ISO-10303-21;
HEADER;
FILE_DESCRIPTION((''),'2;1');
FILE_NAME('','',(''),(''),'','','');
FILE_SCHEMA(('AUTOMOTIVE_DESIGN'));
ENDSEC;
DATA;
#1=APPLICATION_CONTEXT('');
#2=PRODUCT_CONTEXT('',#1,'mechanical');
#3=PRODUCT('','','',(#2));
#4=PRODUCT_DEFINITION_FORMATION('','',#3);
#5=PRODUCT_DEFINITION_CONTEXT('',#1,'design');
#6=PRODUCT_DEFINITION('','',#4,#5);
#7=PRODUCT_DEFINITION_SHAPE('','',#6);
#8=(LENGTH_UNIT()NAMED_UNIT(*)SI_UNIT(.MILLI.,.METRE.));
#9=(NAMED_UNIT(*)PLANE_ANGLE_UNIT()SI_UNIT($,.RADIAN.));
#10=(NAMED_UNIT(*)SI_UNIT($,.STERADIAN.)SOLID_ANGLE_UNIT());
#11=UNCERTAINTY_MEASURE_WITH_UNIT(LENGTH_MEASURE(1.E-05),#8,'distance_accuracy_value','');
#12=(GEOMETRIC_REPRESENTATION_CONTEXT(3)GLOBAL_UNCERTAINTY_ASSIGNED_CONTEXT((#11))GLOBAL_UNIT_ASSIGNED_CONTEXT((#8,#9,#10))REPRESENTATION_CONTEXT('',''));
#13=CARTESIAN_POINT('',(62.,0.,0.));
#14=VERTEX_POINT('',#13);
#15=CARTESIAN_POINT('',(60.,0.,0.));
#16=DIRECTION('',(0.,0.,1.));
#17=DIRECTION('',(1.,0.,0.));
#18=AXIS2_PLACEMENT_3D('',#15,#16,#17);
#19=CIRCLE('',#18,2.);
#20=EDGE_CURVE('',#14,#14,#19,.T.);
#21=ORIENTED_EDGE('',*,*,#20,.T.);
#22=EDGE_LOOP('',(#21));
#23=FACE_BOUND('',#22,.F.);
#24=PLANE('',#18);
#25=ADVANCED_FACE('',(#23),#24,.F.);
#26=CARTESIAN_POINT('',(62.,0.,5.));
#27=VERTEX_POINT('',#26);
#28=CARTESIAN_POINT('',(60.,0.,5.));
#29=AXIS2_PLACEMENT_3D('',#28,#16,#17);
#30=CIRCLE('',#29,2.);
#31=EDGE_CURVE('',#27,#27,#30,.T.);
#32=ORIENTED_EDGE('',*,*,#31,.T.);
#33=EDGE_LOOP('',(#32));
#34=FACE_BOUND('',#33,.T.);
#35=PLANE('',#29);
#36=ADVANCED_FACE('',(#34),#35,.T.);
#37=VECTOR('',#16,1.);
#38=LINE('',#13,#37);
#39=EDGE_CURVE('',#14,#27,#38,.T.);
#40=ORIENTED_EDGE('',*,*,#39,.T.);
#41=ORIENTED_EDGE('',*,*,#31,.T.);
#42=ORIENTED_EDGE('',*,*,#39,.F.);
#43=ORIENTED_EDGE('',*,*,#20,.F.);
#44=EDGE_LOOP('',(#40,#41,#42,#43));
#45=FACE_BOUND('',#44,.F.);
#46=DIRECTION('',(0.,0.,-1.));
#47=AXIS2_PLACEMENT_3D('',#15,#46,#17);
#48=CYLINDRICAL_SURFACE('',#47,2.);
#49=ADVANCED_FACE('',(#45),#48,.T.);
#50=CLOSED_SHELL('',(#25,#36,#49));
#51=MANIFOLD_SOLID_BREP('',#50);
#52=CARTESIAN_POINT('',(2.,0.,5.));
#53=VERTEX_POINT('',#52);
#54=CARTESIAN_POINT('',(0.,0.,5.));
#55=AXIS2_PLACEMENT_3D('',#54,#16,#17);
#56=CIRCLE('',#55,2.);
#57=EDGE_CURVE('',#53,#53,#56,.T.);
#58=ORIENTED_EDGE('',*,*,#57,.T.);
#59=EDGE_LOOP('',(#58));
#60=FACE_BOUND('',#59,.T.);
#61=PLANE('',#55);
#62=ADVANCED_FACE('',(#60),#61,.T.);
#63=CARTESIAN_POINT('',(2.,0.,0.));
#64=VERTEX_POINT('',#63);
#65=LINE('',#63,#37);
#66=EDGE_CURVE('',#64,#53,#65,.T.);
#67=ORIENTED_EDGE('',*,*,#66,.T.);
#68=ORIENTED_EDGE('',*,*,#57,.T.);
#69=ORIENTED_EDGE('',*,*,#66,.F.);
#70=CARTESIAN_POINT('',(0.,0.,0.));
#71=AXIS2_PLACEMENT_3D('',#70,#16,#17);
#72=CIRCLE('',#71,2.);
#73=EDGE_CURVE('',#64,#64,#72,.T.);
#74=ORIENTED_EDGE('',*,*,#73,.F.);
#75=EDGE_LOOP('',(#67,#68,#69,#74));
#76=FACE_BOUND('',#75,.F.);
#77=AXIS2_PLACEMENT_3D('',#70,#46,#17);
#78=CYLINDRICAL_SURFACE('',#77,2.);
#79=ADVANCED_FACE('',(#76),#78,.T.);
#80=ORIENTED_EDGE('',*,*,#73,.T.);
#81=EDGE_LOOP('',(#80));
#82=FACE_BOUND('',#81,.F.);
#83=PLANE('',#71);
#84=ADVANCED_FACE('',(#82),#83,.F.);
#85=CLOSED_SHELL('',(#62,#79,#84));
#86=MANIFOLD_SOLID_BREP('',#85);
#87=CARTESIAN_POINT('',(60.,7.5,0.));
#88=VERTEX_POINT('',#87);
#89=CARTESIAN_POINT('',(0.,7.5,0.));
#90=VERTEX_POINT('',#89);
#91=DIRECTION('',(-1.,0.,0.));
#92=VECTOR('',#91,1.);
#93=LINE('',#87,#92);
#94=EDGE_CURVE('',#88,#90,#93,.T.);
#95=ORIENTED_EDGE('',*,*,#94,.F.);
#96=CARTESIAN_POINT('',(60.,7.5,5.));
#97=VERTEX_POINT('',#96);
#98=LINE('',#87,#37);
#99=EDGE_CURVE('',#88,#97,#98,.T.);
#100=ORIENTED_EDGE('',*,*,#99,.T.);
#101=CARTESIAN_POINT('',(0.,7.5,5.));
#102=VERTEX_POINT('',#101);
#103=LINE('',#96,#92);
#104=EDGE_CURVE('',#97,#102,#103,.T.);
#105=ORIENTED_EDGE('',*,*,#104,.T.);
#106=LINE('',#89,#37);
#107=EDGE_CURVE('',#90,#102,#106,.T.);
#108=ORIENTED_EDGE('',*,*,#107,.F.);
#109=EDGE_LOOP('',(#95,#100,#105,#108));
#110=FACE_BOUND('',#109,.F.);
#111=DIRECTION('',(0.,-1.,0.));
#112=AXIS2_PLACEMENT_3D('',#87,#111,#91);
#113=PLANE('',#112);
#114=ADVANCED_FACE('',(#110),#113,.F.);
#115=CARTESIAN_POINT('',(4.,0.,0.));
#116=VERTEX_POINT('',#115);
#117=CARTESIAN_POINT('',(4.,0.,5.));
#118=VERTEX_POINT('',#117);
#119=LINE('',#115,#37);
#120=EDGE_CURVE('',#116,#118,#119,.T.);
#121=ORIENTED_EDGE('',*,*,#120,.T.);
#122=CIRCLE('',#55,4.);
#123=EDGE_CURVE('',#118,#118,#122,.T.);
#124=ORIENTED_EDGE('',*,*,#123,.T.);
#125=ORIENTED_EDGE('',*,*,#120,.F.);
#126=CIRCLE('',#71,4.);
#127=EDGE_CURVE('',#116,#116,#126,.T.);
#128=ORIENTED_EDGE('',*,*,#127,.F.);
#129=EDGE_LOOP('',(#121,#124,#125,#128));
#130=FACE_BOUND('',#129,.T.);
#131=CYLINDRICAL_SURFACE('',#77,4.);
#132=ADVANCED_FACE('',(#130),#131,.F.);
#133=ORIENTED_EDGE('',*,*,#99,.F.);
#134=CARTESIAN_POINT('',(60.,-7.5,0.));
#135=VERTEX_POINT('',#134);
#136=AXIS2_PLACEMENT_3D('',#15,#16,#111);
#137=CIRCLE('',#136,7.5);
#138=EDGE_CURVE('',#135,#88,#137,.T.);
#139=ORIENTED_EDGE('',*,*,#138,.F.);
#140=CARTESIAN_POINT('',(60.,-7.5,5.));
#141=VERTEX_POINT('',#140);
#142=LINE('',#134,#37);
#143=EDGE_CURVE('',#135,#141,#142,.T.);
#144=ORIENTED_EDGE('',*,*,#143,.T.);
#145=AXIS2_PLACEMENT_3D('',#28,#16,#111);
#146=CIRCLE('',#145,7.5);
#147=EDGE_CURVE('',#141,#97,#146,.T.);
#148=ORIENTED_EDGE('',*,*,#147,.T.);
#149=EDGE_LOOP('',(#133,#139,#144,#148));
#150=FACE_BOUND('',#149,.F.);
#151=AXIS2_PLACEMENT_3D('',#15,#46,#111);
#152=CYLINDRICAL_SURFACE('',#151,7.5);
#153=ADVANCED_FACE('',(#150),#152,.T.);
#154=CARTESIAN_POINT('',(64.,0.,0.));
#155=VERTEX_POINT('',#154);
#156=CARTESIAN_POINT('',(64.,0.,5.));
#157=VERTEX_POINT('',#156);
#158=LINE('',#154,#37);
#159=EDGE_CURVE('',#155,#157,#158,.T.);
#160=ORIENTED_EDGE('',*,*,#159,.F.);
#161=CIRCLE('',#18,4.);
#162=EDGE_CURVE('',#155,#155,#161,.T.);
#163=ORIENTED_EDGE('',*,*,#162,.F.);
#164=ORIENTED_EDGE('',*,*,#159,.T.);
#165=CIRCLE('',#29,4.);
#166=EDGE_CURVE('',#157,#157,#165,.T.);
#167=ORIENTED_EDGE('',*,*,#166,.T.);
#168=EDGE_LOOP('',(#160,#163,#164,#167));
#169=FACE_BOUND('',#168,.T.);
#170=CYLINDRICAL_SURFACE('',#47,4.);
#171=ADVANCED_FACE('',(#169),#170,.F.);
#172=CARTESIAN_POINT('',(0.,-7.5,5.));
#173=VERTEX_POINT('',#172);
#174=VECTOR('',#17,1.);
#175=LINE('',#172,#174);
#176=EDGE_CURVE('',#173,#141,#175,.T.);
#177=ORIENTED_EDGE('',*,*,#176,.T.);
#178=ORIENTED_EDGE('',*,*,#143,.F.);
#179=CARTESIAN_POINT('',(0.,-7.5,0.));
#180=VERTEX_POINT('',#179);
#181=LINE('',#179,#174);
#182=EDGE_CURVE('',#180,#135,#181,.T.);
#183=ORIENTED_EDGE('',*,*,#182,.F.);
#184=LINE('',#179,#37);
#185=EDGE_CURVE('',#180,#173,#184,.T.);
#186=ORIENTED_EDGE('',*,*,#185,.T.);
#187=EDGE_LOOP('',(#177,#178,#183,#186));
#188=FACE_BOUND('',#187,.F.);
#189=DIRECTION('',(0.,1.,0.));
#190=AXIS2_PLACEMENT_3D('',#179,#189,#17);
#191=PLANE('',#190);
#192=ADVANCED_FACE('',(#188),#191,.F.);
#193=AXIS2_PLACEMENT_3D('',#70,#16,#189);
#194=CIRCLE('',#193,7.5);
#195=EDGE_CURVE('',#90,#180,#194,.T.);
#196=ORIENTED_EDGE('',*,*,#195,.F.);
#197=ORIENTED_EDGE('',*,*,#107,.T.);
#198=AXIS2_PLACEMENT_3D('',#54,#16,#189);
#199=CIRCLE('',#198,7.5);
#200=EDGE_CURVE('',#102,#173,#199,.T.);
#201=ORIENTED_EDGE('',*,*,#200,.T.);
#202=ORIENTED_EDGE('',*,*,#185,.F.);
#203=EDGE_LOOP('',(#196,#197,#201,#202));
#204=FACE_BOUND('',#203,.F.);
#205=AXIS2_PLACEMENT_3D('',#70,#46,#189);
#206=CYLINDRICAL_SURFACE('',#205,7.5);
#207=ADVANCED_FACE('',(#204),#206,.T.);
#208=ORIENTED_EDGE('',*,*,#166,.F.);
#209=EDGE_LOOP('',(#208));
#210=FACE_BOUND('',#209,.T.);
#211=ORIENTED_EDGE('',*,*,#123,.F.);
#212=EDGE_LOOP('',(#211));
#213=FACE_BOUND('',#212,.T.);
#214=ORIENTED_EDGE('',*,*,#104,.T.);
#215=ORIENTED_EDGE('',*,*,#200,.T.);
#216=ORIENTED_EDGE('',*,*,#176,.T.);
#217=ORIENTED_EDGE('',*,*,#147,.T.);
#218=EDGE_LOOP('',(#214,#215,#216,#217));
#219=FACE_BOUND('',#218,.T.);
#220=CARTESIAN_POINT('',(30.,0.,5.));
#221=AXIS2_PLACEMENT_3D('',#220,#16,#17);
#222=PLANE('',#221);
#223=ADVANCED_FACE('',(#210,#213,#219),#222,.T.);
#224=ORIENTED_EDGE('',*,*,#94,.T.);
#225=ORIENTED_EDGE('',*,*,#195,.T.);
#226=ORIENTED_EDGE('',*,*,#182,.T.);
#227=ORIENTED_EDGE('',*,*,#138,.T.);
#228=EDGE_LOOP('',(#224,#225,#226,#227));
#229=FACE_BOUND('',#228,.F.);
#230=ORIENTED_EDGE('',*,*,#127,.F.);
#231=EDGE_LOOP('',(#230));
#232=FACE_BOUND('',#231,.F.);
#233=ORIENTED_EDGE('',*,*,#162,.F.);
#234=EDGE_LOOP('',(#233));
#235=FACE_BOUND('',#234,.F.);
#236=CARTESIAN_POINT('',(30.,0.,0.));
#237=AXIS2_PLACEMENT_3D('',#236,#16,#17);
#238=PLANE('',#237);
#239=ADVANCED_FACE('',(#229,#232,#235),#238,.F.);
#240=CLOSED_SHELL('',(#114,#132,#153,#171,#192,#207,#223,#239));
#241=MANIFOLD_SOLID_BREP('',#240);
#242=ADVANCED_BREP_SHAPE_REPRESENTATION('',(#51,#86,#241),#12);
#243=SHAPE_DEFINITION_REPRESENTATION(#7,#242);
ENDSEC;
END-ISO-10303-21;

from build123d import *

# Parameters (mm, degrees)
F0_R     = 4
F1_DEPTH = 5
F2_R     = 2
F3_DEPTH = 5


with BuildPart() as f1:
    # F0 (on Top) → F1 (new body)
    with BuildSketch(Plane.XY):
        with BuildLine():
            Line((60, 7.5), (0, 7.5))
            ThreePointArc((0, 7.5), (-7.5, 0), (0, -7.5))
            Line((0, -7.5), (60, -7.5))
            ThreePointArc((60, -7.5), (67.5, 0), (60, 7.5))
        make_face()
        Circle(F0_R, mode=Mode.SUBTRACT)
        with Locations((60, 0)):
            Circle(F0_R, mode=Mode.SUBTRACT)
    extrude(amount=F1_DEPTH)


with BuildPart() as f3:
    # F2 (on Top) → F3 (new body)
    with BuildSketch(Plane.XY):
        Circle(F2_R)
        with Locations((60, 0)):
            Circle(F2_R)
    extrude(amount=F3_DEPTH)


solid = Compound([f1.part, f3.part])
